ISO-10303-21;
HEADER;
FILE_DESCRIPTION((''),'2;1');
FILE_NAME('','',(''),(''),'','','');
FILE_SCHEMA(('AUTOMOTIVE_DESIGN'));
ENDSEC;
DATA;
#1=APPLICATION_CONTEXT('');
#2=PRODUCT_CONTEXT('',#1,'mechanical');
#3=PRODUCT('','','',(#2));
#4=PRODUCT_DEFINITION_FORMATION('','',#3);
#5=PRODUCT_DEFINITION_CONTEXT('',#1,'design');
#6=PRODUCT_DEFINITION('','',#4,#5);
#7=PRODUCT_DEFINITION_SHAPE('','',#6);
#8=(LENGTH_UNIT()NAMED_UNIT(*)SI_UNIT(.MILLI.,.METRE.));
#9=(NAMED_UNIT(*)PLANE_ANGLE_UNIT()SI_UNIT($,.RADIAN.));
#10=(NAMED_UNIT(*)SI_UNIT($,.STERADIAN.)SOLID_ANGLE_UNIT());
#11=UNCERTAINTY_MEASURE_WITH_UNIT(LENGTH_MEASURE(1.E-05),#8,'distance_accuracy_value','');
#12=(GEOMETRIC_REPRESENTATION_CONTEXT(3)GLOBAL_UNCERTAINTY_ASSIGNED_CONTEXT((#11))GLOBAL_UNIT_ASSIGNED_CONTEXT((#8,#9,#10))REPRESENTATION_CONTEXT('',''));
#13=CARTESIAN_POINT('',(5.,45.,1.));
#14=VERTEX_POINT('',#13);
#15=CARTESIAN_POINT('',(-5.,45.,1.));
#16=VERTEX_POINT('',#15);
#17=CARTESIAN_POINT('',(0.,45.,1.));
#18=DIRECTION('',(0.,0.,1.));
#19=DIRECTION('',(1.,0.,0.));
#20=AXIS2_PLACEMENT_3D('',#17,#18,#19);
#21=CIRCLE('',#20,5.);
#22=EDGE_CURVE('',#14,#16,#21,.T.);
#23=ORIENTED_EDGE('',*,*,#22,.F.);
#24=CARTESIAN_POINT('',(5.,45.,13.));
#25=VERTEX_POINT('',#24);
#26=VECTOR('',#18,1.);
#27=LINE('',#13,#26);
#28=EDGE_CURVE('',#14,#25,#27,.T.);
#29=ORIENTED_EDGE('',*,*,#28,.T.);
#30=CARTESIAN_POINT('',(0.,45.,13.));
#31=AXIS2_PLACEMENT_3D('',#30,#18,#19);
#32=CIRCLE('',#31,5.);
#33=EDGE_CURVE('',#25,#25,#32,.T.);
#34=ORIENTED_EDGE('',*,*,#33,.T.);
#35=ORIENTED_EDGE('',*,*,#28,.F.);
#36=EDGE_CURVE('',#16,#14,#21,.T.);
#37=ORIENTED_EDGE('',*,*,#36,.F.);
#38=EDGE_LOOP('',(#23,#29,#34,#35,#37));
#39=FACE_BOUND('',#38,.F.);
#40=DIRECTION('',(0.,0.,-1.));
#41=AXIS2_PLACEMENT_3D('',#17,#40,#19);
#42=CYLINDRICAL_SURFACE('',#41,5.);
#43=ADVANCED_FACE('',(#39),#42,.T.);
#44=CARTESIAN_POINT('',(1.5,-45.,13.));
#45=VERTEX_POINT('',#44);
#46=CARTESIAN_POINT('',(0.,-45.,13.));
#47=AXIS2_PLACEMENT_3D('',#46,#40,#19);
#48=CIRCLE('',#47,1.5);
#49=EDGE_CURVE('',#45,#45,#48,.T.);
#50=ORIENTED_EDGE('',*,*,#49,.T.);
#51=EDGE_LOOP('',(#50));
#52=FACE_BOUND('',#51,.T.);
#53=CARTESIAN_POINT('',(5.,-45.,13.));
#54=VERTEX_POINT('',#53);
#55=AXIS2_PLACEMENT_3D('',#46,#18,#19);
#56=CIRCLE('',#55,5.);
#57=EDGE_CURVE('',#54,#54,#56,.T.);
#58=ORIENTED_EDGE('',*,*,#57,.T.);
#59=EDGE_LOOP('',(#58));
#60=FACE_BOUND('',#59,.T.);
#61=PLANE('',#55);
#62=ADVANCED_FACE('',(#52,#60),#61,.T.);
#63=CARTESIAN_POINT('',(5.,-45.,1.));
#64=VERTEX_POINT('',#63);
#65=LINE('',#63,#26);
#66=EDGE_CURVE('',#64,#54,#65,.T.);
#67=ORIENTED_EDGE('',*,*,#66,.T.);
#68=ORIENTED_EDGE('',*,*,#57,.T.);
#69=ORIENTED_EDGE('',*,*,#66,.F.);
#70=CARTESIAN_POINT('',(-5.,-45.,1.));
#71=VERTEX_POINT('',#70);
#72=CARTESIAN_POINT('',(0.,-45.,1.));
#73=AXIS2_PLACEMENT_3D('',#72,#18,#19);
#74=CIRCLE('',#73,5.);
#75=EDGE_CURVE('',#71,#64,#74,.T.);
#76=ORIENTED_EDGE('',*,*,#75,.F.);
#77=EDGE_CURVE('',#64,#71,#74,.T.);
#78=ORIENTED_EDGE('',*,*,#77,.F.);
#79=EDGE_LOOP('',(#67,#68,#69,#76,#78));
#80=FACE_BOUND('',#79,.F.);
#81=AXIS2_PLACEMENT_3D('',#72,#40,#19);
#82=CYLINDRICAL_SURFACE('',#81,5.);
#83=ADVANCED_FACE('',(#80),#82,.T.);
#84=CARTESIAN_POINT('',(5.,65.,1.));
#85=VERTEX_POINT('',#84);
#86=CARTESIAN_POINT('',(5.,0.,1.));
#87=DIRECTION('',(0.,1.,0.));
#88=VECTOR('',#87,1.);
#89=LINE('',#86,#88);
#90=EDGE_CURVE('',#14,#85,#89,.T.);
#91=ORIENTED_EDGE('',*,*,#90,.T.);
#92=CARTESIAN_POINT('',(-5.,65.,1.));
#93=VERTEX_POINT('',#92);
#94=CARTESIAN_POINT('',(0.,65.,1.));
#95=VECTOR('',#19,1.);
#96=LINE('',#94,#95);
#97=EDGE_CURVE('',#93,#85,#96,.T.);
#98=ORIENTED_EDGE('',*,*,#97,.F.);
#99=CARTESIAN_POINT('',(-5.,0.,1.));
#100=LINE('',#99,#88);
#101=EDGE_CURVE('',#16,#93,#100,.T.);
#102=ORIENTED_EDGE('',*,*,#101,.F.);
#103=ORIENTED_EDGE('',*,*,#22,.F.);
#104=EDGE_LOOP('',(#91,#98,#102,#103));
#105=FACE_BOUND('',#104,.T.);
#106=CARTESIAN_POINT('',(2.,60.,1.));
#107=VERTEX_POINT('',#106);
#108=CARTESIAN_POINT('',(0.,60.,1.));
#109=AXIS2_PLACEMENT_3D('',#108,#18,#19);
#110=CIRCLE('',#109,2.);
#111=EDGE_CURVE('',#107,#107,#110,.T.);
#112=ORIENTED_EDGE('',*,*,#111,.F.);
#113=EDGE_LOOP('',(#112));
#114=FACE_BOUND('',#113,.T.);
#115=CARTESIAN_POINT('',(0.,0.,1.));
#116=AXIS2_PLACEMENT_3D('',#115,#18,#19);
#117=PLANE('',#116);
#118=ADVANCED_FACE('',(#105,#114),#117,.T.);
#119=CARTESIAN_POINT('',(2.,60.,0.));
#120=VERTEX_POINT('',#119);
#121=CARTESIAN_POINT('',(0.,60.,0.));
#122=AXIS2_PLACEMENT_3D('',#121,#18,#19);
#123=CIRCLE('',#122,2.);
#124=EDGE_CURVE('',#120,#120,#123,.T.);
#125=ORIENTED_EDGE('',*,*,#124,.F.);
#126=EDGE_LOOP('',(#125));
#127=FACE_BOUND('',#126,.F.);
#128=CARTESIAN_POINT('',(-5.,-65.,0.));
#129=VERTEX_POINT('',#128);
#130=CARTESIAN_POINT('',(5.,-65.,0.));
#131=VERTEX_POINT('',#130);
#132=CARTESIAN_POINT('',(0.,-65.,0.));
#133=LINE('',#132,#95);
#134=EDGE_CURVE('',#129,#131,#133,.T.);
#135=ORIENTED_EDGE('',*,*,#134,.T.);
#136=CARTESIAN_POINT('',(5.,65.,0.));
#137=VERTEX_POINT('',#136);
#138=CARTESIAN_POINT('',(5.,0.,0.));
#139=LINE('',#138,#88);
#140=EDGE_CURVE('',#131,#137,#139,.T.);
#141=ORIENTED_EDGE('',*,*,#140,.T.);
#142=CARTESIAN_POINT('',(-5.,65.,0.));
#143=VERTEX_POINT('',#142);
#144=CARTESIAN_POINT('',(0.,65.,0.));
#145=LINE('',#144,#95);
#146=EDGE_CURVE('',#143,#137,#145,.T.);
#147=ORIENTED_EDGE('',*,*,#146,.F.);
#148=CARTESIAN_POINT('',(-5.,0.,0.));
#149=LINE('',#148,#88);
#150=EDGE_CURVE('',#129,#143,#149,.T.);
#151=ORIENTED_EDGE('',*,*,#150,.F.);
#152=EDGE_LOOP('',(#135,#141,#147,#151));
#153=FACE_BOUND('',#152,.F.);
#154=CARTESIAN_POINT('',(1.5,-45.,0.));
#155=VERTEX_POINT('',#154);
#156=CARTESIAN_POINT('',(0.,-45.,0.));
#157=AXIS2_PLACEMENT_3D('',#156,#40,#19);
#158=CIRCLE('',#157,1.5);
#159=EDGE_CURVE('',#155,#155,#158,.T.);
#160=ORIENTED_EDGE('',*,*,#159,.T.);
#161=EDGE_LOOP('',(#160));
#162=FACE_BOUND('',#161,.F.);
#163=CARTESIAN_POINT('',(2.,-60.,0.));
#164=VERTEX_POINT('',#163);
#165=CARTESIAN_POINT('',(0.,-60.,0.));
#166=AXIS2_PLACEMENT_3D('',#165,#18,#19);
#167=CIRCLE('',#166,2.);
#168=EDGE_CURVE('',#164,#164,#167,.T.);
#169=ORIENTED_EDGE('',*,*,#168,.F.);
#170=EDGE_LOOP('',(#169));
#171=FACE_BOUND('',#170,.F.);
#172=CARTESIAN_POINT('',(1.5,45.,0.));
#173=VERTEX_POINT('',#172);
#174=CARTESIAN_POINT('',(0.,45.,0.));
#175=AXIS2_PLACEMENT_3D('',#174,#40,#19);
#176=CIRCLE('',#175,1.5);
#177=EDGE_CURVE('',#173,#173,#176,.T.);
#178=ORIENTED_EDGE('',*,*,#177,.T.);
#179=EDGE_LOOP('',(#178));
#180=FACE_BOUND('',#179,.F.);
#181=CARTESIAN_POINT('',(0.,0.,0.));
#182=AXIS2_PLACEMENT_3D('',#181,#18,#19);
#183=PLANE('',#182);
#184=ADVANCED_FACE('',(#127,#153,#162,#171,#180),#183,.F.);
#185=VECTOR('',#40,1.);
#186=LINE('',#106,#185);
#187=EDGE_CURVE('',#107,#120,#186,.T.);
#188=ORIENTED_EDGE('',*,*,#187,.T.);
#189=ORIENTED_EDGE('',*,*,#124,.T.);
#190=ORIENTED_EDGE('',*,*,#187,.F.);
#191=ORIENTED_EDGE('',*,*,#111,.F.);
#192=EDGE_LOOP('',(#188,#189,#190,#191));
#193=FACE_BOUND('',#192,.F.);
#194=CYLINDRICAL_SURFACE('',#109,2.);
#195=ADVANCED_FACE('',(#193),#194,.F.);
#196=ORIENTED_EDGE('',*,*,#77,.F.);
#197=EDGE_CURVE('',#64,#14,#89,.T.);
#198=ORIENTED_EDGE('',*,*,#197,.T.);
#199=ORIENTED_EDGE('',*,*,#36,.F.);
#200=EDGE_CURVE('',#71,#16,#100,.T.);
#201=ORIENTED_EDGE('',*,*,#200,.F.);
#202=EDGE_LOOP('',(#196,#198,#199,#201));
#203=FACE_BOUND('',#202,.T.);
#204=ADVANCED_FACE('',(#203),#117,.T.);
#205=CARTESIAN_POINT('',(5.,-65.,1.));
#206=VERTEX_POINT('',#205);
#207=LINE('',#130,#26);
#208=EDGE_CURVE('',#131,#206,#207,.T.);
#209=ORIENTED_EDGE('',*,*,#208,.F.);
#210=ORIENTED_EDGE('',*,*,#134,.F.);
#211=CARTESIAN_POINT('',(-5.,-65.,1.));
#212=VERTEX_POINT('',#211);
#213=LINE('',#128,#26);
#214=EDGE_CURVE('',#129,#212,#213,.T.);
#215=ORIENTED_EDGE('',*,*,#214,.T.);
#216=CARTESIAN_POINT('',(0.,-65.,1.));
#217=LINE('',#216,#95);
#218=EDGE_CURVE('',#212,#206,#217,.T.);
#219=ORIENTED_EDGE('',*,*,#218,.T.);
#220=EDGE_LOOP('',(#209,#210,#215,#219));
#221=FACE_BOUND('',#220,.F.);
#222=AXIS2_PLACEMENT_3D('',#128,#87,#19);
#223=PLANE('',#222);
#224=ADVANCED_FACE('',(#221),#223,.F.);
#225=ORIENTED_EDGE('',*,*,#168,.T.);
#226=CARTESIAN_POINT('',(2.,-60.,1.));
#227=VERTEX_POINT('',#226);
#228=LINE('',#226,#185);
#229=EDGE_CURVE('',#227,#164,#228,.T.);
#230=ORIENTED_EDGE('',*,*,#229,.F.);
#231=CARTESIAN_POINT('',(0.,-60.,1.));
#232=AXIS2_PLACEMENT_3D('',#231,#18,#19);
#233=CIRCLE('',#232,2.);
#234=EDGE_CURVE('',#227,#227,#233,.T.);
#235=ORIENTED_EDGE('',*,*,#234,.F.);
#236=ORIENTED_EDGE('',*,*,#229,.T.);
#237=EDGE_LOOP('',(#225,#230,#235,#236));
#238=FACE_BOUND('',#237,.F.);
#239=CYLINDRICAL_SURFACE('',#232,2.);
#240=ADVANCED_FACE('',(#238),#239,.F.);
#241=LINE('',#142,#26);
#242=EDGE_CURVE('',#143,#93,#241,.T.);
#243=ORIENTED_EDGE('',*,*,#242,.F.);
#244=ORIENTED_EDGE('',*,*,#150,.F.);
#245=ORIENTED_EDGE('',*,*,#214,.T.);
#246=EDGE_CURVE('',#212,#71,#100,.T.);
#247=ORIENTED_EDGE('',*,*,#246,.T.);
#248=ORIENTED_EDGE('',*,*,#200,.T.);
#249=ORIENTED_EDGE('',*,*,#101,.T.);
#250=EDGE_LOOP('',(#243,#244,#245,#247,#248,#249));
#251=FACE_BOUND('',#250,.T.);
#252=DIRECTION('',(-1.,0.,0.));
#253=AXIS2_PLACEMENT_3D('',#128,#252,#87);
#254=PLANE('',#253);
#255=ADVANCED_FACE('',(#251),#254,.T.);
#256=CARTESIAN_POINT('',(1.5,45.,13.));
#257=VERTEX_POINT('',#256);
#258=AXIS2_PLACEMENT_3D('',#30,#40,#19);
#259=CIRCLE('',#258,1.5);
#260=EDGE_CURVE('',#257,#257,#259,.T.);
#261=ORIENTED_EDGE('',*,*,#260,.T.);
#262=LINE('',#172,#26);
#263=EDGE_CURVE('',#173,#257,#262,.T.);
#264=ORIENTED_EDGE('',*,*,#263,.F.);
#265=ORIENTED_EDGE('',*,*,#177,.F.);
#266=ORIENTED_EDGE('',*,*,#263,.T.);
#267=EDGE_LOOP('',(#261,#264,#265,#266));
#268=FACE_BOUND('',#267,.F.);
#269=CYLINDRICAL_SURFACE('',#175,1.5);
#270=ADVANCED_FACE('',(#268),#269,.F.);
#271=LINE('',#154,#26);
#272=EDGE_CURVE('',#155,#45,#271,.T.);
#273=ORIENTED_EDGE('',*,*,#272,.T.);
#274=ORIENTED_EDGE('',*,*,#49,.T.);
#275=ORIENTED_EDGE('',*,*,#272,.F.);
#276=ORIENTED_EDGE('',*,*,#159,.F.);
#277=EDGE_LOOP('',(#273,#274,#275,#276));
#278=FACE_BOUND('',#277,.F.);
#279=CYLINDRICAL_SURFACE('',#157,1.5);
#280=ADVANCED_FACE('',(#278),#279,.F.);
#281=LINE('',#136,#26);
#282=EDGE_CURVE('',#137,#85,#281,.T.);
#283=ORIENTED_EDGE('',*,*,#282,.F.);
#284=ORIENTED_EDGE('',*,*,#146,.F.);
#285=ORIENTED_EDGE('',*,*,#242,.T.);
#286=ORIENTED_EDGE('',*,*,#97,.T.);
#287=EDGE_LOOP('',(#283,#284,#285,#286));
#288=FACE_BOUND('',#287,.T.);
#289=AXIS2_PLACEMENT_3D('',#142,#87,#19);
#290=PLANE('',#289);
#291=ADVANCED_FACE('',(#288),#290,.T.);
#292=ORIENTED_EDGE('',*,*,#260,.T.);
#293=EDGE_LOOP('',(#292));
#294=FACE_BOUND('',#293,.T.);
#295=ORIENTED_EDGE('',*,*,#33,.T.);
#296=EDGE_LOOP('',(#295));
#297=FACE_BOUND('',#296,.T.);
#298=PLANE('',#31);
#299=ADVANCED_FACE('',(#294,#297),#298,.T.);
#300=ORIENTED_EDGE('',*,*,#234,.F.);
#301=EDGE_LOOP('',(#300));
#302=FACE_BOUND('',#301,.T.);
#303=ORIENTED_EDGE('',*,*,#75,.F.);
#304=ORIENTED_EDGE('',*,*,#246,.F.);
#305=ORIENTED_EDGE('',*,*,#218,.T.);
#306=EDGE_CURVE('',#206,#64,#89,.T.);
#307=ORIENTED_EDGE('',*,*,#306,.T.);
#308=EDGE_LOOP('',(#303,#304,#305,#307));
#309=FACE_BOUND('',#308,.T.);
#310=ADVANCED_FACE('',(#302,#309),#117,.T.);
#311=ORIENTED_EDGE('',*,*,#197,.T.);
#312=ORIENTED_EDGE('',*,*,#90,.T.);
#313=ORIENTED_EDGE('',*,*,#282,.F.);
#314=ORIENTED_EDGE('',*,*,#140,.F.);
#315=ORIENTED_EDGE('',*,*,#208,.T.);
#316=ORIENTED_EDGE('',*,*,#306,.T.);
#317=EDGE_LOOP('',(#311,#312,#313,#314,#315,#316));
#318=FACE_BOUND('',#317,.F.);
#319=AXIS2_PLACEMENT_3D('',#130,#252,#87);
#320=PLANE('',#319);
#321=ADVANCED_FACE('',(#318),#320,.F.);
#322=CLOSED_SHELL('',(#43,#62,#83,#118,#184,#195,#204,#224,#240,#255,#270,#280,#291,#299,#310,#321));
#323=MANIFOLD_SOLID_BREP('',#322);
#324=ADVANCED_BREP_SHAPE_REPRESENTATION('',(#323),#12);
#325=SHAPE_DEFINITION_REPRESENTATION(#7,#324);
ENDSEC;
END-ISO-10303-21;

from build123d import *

# Parameters (mm, degrees)
F0_W     = 10
F0_H     = 130
F1_DEPTH = 1
F2_R     = 2
F3_DEPTH = 25
F5_DEPTH = 12
F6_R     = 1.5
F7_DEPTH = 25


with BuildPart() as f1:
    # F0 (on Top) → F1 (new body)
    with BuildSketch(Plane.XY):
        Rectangle(F0_W, F0_H)
    extrude(amount=F1_DEPTH)

    # F2 (on face) → F3 (cut)
    with BuildSketch(Plane.XY.offset(1)):
        with Locations((0, 60)):
            Circle(F2_R)
        with Locations((0, -60)):
            Circle(F2_R)
    extrude(amount=-F3_DEPTH, mode=Mode.SUBTRACT)

    # F4 (on face) → F5 (join)
    with BuildSketch(Plane.XY.offset(1)):
        with BuildLine():
            ThreePointArc((-5, 45), (0, 40), (5, 45))
            ThreePointArc((5, 45), (0, 50), (-5, 45))
        make_face()
        with BuildLine():
            ThreePointArc((-5, -45), (0, -50), (5, -45))
            ThreePointArc((5, -45), (0, -40), (-5, -45))
        make_face()
    extrude(amount=F5_DEPTH)

    # F6 (on face) → F7 (cut)
    with BuildSketch(Plane(origin=(0, 0, 0), x_dir=(1, 0, 0), z_dir=(0, 0, -1))):
        with Locations((0, -45)):
            Circle(F6_R)
        with Locations((0, 45)):
            Circle(F6_R)
    extrude(amount=-F7_DEPTH, mode=Mode.SUBTRACT)


solid = f1.part
